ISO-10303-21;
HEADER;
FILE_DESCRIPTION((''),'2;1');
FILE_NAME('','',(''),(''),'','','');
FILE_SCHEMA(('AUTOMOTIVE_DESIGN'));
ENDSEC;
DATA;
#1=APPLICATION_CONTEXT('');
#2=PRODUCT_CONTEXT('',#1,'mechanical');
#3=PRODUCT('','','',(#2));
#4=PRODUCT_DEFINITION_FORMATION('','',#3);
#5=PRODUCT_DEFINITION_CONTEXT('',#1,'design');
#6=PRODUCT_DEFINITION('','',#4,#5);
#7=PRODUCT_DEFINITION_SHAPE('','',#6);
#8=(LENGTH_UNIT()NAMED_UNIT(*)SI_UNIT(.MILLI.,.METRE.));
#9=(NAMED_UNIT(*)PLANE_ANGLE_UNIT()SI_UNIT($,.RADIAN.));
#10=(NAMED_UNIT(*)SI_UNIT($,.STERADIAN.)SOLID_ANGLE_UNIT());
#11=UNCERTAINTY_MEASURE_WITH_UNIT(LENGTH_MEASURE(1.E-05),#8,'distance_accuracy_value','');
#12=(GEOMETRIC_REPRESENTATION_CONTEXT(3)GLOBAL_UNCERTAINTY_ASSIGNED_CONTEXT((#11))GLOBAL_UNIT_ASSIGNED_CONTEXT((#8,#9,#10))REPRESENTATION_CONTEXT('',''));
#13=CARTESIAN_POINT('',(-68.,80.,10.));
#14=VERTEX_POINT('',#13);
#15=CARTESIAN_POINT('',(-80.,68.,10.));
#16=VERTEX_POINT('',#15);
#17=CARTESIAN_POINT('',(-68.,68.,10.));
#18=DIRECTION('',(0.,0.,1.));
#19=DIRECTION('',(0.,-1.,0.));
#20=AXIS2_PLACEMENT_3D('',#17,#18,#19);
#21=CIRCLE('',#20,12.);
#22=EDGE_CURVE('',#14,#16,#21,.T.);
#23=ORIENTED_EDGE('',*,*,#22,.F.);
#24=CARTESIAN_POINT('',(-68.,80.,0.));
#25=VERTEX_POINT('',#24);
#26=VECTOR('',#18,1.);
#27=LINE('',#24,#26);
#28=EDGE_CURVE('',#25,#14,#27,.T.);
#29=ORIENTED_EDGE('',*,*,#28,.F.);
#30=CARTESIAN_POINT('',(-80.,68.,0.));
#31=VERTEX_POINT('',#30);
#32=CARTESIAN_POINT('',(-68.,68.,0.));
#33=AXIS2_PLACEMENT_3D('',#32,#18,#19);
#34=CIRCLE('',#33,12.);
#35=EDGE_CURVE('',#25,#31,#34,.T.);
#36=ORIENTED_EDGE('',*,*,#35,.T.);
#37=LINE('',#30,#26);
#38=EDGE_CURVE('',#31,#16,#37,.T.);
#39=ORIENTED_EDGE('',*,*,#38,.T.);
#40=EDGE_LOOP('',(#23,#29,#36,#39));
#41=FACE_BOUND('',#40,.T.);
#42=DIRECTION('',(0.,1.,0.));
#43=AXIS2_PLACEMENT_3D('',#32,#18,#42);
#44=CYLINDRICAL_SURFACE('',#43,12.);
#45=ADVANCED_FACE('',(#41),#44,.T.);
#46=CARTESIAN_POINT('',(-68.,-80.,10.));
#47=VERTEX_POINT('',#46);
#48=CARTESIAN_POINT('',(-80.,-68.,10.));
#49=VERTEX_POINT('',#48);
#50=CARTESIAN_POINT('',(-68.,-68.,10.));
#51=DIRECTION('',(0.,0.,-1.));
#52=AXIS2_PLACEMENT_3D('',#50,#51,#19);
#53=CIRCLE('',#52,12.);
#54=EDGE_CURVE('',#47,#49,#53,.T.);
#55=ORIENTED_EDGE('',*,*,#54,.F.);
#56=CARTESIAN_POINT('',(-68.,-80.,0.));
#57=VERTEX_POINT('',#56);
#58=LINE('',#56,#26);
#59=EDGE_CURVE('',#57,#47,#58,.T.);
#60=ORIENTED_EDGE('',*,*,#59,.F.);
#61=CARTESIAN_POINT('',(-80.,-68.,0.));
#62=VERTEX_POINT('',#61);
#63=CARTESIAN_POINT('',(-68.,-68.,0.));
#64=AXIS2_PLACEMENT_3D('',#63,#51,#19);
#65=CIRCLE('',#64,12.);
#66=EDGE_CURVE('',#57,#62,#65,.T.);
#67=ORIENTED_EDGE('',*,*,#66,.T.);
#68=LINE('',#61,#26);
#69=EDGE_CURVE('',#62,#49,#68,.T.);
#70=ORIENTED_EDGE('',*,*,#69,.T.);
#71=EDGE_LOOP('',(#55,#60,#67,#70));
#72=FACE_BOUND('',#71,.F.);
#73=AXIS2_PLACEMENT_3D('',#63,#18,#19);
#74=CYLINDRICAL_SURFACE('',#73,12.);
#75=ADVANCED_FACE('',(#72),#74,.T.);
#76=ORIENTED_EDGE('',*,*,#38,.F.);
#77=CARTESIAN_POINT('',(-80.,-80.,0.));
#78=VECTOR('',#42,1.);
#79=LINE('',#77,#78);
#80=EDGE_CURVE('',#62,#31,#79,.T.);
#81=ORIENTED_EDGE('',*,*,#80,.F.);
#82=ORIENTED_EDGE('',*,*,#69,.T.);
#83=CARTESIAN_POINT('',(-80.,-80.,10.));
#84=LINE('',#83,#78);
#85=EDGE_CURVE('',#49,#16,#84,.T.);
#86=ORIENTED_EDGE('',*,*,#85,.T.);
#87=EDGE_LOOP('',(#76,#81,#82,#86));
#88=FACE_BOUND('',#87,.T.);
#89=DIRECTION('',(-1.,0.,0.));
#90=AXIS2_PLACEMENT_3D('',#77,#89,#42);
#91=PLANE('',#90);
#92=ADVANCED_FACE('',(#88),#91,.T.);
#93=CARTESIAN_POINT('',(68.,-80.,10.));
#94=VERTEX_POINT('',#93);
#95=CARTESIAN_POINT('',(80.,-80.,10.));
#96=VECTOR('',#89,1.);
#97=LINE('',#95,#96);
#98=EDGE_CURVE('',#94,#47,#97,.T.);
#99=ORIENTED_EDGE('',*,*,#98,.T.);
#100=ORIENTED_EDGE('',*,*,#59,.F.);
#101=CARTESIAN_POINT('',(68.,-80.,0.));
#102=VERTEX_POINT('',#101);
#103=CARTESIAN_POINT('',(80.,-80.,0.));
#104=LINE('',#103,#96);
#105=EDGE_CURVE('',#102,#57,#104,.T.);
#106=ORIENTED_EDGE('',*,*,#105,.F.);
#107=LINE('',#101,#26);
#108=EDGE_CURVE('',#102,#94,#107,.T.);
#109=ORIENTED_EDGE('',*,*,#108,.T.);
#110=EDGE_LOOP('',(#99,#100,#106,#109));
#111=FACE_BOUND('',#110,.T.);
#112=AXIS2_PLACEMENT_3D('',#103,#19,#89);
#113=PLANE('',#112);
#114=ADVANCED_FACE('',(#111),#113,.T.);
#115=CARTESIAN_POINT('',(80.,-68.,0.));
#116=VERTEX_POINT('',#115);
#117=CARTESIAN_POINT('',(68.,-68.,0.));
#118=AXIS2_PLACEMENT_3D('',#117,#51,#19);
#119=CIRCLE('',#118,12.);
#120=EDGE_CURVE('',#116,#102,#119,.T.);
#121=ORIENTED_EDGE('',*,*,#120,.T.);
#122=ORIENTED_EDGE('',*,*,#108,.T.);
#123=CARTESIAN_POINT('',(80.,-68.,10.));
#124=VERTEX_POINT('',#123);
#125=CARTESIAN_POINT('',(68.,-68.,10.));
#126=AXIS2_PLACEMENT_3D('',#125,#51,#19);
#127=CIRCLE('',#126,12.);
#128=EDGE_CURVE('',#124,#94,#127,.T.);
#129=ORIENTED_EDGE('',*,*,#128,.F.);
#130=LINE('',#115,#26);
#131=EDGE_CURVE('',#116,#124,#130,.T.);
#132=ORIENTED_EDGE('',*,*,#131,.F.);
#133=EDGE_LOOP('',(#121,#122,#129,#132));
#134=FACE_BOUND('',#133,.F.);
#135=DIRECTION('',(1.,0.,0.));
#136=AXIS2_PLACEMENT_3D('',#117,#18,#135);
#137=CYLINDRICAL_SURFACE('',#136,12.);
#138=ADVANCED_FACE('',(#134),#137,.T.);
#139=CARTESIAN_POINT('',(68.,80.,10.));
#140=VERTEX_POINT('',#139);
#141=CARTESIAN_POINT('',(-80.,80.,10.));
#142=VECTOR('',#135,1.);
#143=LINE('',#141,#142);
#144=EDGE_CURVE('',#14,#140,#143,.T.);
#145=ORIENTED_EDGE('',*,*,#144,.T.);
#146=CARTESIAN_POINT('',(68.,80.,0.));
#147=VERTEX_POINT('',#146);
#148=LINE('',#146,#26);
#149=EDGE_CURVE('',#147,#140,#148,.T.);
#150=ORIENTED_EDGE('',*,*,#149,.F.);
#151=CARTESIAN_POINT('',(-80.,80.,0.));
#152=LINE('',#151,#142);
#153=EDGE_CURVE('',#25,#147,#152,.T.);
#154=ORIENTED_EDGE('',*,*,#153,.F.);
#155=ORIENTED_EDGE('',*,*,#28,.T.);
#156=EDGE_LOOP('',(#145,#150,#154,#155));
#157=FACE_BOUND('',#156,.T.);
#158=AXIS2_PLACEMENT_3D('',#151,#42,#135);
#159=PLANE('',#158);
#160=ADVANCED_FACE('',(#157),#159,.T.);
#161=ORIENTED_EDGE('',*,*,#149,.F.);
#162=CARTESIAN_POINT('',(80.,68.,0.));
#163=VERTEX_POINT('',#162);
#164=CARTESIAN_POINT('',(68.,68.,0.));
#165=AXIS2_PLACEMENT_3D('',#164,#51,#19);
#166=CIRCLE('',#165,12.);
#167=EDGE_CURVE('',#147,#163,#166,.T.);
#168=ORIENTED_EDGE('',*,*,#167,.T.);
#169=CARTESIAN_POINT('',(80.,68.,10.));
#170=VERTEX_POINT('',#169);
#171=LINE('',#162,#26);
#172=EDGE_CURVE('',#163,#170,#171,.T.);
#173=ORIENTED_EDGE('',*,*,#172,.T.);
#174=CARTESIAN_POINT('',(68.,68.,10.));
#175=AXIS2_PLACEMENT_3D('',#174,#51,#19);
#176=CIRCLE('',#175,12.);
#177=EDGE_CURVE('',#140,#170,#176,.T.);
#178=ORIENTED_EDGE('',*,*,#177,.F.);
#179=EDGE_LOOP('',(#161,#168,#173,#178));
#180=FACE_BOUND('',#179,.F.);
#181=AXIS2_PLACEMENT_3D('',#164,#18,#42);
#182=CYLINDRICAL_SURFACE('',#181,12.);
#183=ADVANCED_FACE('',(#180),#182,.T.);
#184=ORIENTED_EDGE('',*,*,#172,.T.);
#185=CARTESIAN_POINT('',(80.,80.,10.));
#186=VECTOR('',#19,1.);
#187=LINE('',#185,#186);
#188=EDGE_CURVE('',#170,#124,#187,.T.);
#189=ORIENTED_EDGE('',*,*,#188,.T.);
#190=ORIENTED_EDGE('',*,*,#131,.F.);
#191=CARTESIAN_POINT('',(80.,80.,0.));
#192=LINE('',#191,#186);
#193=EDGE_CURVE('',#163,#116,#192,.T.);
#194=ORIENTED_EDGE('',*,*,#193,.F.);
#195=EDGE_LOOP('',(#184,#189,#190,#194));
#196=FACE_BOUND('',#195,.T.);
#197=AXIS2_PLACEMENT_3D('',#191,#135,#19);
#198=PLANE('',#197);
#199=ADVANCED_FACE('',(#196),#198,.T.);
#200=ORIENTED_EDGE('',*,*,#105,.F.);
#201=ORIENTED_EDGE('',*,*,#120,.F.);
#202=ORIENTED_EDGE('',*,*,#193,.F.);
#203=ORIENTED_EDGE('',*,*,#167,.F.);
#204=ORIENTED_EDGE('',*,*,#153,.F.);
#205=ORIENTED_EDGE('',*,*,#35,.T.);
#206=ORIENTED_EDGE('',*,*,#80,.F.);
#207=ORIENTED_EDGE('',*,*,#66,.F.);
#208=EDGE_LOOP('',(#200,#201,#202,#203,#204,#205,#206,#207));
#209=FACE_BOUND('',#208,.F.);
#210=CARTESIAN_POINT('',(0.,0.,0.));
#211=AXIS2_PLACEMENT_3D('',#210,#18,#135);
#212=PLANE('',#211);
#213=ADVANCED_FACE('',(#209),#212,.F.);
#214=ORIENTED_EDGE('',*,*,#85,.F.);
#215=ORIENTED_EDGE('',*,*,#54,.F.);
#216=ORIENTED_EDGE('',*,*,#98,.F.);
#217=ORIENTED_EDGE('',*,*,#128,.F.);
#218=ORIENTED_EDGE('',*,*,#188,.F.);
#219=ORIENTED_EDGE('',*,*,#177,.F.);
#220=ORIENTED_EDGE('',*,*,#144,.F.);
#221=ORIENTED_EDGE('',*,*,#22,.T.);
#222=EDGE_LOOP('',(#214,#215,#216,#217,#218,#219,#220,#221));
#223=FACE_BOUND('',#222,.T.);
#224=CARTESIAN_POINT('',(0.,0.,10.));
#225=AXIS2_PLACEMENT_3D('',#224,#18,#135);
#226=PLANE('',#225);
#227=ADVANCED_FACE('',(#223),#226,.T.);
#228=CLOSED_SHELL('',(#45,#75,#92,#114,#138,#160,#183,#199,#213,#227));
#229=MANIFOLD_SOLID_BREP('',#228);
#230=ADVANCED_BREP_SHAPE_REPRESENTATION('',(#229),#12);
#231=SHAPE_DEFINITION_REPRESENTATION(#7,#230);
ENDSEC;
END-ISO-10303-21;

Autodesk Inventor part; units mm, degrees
ref_plane "YZ Plane" through (0, 0, 0) normal (1, 0, 0) x (0, 1, 0)
ref_plane "XZ Plane" through (0, 0, 0) normal (0, 1, 0) x (-1, 0, 0)
ref_plane "XY Plane" through (0, 0, 0) normal (0, 0, 1) x (1, 0, 0)
sketch "Sketch1" plane through (0, 0, 0) normal (0, 0, 1) x (1, 0, 0)
  line L0 (0, 20.1746) -> (0, -21.4461) construction
  line L1 (-20.2028, 0) -> (20.1685, 0) construction
  line L2 (-80, 80) -> (80, 80)
  line L3 (80, 80) -> (80, -80)
  line L4 (80, -80) -> (-80, -80)
  line L5 (-80, -80) -> (-80, 80)
  point P0 (0, 0)
  dimension "d0" = 160
  dimension "d1" = 80
  dimension "d2" = 160
  dimension "d3" = 80
extrude "Extrusion1" add sketch "Sketch1" along normal blind 10
fillet "Fillet1" radius 12 4 edges at (80, 80, 5) (-80, 80, 5) (80, -80, 5) (-80, -80, 5)
chamfer "Chamfer1" [suppressed]
equation "\"d0\" = height"
equation "\"d1\" = 0.5 * height"
equation "\"d2\" = width"
equation "\"d3\" = 0.5 * width"
equation "\"d4\" = thickness"
equation "\"d6\" = fillet"
equation "\"fillet\" = 12"
equation "\"chamfer\" = 0"
equation "\"thickness\" = 10"
equation "\"width\" = 160"
equation "\"height\" = 160"
properties part number "Plate Filleted Corners (mm) 160 x 160 x 10" material "Steel, Mild"
